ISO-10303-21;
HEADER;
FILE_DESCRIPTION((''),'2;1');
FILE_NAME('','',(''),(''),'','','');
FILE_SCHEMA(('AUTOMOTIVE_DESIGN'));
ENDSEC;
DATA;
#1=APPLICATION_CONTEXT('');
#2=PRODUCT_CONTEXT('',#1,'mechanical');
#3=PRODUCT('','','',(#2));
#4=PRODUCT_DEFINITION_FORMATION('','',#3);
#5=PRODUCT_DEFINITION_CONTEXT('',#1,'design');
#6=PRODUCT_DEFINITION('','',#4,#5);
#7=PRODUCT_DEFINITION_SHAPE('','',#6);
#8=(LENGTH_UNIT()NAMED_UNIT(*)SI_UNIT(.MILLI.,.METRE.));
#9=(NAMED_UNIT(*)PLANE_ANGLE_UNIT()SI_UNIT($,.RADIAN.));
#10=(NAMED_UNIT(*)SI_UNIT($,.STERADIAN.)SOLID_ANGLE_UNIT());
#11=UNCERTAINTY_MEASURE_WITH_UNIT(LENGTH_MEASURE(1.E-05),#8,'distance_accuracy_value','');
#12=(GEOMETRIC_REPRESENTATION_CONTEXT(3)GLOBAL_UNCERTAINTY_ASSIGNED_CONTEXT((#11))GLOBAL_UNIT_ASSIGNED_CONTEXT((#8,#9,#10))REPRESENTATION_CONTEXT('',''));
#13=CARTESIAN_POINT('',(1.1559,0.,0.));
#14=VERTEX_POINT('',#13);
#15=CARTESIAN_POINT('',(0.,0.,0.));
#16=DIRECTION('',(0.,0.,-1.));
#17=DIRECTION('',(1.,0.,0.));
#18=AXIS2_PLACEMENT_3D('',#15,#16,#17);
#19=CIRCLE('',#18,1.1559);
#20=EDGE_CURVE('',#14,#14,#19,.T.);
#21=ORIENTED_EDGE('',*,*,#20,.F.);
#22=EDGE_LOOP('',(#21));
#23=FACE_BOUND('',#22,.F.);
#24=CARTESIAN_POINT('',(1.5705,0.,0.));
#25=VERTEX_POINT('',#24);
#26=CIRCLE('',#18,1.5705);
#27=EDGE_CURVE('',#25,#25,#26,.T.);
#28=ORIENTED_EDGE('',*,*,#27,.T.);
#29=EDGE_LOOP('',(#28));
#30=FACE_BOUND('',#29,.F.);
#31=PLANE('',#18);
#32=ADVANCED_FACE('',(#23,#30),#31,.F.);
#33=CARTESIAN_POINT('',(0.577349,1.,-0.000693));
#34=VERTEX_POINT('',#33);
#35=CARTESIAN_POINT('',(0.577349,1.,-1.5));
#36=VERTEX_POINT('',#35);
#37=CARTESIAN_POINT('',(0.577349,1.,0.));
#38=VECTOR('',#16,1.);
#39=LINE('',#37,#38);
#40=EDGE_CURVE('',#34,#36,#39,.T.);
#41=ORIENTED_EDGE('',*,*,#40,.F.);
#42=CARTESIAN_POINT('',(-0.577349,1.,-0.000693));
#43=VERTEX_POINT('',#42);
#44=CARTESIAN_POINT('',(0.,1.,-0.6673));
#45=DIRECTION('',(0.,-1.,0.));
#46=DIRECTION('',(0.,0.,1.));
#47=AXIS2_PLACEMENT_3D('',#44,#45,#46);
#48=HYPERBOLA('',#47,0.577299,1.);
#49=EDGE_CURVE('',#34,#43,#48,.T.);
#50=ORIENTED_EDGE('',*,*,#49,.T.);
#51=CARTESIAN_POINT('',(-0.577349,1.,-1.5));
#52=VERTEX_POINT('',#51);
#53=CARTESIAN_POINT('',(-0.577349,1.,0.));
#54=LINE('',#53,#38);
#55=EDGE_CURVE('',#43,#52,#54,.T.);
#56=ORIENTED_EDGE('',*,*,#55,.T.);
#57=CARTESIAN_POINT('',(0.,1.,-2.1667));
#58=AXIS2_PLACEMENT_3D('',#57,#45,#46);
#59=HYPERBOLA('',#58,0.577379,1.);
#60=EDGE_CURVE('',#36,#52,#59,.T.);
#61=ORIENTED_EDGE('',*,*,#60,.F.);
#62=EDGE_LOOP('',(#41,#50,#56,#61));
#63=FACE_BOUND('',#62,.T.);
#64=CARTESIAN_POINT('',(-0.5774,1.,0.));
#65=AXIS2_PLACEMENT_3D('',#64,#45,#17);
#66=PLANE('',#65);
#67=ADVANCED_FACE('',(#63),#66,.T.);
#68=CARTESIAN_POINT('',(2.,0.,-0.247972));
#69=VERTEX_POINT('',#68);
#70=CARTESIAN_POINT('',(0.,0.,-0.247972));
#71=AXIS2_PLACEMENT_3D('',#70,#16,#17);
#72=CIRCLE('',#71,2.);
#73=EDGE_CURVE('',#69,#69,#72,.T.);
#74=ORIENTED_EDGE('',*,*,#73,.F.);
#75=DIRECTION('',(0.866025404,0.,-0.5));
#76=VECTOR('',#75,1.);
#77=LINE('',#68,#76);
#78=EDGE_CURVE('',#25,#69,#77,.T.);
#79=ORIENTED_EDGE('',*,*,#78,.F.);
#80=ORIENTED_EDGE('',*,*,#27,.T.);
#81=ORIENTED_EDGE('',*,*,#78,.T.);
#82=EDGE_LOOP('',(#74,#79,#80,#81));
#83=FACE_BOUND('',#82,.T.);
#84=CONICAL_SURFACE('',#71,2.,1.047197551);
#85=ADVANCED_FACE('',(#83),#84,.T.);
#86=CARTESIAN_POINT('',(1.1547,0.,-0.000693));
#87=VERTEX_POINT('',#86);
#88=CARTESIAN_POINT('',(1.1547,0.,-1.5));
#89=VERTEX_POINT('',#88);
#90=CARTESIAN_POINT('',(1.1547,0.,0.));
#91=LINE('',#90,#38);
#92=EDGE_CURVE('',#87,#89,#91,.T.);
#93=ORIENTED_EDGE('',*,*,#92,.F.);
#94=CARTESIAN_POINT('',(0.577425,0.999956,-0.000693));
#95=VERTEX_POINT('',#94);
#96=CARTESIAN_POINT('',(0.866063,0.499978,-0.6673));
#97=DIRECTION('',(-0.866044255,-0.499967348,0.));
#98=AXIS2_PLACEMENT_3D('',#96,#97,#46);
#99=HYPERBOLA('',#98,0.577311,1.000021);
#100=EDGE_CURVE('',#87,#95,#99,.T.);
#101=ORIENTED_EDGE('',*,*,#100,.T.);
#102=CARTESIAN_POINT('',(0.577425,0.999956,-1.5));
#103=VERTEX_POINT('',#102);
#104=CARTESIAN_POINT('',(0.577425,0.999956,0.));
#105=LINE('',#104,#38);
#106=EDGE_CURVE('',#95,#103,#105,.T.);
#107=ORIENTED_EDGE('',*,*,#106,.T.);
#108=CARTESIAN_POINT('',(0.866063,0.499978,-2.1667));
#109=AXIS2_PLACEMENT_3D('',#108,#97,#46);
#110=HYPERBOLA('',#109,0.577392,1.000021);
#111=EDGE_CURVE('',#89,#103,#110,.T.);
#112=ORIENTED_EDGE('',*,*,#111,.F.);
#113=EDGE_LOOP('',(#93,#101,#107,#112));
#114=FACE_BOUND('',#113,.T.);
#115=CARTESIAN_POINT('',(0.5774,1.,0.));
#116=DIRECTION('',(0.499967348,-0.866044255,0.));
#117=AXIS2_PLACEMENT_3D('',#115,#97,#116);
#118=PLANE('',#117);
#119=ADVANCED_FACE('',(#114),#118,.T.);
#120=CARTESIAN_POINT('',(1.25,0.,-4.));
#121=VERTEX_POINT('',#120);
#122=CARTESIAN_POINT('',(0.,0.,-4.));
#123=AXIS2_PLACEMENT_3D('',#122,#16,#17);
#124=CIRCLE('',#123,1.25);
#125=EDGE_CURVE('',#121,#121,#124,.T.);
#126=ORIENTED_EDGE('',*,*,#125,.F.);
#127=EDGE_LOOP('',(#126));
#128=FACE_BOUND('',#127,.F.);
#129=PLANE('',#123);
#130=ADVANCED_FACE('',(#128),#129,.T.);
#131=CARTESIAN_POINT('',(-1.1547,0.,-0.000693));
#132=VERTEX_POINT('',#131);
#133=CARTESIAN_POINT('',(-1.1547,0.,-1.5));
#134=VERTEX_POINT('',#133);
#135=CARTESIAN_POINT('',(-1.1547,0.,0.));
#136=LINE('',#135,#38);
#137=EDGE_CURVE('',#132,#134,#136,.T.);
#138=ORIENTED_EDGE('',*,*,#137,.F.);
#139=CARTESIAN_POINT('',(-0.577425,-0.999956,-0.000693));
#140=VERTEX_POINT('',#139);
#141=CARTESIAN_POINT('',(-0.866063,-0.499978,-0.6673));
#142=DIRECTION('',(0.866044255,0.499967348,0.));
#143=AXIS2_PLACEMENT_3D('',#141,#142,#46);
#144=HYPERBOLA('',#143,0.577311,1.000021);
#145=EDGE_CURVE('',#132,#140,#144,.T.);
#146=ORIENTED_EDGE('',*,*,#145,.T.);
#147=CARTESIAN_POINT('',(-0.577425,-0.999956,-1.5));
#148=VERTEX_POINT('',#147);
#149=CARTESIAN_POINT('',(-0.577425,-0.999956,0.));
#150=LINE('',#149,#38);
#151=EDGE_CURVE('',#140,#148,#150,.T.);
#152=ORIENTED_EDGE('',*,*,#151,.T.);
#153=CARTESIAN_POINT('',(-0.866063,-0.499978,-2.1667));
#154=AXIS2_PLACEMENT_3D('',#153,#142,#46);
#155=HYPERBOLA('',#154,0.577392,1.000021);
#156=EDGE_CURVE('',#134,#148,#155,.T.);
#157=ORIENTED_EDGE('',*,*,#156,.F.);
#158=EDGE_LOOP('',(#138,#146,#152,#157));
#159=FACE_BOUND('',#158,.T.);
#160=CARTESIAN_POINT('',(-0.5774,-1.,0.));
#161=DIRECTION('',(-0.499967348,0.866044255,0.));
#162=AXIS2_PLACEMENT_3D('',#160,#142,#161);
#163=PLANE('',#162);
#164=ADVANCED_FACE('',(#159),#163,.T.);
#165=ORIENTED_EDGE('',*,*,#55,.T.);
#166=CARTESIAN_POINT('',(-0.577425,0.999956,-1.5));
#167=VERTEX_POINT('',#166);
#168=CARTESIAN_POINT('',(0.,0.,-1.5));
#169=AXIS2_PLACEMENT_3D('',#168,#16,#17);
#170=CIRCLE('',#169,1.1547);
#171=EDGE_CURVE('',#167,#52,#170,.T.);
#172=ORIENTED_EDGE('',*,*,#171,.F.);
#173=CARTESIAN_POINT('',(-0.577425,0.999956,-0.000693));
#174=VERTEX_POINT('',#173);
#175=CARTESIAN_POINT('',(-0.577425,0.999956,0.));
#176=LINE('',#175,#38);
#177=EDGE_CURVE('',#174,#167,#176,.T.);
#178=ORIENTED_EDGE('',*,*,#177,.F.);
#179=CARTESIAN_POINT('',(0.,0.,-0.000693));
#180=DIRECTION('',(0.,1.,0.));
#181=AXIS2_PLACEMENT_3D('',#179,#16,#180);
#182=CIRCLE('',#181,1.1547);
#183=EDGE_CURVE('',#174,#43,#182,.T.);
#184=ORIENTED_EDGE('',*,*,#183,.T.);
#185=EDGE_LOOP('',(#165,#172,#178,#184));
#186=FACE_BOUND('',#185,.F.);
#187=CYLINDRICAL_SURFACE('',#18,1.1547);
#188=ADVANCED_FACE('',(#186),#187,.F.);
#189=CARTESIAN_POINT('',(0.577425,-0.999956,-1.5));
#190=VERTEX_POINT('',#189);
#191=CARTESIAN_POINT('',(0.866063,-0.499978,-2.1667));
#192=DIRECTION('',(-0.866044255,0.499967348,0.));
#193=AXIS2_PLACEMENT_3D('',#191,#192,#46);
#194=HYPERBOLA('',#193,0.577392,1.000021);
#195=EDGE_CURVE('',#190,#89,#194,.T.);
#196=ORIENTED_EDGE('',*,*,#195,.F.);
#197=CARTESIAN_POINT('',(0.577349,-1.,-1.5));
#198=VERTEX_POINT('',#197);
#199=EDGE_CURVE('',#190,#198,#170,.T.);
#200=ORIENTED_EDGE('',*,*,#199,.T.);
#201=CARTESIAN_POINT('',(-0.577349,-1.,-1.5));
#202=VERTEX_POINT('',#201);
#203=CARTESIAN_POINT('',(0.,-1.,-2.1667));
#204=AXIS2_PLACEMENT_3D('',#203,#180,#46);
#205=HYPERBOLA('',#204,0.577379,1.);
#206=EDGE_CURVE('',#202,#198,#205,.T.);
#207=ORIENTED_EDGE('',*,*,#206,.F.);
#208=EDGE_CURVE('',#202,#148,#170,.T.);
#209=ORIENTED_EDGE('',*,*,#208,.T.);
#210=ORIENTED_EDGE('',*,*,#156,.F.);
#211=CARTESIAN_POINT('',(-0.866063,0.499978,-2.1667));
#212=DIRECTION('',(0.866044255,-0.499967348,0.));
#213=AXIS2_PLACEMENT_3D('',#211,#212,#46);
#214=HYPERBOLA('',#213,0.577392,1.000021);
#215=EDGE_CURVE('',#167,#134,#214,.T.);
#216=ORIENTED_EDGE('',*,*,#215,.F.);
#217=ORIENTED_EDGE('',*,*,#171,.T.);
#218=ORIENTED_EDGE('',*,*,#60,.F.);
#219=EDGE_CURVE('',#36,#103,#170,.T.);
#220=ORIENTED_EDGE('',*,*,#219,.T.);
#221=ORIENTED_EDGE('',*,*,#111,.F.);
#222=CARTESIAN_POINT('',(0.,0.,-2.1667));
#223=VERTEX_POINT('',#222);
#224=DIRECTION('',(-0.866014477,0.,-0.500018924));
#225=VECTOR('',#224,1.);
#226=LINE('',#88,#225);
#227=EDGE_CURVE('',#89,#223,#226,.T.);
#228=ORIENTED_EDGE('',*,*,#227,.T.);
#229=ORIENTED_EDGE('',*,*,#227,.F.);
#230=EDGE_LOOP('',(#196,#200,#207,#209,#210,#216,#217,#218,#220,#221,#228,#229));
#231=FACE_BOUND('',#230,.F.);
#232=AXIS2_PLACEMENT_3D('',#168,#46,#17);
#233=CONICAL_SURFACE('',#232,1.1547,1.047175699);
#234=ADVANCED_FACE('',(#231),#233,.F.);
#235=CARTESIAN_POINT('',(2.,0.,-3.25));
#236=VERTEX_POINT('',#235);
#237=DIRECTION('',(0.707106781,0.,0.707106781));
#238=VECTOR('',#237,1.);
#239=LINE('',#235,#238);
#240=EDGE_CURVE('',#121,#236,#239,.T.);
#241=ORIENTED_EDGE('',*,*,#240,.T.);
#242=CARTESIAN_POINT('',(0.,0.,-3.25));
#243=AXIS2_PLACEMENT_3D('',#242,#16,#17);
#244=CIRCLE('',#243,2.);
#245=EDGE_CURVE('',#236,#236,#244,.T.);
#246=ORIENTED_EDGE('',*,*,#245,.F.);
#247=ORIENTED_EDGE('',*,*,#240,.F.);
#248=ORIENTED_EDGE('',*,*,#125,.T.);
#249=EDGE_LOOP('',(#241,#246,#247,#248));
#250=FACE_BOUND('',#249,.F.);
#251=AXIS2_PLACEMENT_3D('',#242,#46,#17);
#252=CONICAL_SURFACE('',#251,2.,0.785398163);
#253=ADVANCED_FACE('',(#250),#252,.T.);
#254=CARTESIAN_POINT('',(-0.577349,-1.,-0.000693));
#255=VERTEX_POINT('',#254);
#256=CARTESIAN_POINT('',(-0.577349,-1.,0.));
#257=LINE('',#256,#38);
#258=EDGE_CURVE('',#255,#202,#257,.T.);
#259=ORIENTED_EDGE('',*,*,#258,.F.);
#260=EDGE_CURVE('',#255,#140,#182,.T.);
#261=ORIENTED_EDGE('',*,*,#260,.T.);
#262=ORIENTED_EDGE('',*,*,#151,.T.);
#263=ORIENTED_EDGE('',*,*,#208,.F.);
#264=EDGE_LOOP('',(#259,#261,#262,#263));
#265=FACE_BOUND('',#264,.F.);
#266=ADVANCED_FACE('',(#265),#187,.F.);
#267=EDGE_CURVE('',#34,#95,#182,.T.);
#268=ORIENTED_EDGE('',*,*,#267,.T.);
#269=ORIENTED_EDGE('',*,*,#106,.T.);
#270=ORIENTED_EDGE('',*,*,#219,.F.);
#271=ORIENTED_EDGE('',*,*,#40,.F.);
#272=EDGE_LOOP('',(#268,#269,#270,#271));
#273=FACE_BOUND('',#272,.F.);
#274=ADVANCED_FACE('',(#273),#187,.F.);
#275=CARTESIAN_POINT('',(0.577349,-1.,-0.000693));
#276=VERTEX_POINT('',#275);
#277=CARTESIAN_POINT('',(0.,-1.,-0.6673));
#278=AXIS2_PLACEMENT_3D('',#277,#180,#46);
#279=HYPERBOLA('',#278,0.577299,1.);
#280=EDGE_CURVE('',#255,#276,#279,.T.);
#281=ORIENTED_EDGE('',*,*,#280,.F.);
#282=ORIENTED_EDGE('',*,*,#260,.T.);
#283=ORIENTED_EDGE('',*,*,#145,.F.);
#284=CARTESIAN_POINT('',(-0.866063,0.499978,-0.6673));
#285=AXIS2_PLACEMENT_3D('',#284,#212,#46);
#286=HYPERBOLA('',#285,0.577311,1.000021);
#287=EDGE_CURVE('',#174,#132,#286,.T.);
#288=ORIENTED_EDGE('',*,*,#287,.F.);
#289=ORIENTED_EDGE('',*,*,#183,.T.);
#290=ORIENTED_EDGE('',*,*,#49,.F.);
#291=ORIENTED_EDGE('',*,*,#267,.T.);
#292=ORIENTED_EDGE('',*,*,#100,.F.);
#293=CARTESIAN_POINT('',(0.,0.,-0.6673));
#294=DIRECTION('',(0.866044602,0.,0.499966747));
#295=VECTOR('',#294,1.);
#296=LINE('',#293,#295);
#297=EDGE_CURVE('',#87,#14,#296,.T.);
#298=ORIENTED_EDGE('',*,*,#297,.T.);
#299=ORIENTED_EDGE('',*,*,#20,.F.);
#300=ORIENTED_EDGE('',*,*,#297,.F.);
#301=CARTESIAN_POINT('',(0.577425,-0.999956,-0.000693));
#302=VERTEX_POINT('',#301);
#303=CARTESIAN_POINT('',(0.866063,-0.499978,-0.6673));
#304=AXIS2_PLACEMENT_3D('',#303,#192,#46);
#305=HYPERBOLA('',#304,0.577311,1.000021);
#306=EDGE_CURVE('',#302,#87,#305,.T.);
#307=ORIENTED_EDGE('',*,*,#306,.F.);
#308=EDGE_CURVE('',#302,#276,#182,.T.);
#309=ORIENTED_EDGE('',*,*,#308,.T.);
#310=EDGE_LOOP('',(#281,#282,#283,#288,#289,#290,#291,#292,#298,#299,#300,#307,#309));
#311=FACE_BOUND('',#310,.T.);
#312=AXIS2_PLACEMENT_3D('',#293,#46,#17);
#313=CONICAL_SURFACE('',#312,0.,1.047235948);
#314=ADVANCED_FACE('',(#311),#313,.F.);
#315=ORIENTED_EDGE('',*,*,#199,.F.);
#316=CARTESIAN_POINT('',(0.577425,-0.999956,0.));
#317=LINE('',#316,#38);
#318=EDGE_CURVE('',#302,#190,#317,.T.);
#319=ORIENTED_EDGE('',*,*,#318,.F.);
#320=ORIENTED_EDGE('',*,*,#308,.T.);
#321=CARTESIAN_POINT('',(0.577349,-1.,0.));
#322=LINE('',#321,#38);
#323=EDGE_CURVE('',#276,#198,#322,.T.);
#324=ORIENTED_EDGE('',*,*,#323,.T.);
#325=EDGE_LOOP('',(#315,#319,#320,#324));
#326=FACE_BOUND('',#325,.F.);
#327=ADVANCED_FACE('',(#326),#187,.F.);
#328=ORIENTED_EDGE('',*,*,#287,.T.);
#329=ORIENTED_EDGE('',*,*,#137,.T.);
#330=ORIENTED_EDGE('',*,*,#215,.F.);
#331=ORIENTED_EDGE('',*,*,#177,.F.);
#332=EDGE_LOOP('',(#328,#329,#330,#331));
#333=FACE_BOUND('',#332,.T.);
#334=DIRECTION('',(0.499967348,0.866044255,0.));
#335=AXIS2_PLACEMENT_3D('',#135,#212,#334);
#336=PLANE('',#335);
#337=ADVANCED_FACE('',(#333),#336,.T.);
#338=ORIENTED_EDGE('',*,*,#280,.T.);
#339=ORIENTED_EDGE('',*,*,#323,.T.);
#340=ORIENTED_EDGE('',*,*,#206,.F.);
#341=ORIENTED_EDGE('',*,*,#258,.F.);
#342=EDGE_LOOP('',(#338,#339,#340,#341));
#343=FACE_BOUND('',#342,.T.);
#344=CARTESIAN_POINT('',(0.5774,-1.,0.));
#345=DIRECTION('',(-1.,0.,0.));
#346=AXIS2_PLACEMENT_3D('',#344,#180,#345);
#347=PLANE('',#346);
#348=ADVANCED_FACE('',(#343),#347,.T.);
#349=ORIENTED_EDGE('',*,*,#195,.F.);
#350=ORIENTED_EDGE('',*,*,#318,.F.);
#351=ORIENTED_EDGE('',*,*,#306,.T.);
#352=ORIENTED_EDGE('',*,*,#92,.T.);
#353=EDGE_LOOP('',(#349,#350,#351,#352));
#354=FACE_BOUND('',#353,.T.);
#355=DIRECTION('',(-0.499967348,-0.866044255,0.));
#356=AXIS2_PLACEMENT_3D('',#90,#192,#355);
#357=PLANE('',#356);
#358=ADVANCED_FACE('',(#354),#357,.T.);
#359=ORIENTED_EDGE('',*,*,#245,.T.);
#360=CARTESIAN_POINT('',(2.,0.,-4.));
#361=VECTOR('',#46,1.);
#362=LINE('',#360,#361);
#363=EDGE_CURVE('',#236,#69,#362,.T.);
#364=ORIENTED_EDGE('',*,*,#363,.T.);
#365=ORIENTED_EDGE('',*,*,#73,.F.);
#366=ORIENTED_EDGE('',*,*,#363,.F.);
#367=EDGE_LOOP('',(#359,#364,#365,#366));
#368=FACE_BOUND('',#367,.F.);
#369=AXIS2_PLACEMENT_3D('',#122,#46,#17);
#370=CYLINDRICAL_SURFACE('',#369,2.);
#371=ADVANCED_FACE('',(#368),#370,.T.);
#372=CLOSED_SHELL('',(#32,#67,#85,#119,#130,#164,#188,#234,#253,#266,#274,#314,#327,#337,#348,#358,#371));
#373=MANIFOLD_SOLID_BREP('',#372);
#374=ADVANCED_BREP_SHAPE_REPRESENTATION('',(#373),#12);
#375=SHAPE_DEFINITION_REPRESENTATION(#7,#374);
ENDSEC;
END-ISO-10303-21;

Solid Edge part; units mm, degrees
sketch "Sketch1" plane through (0, 0, 0) normal (0, -1, 0) x (1, 0, 0)
  line L0 (0, -4) -> (2, -4)
  line L1 (2, -4) -> (2, 0)
  line L2 (2, 0) -> (1.1547, 0)
  line L3 (1.1547, 0) -> (1.1547, -1.5)
  line L4 (1.1547, -1.5) -> (0, -2.1667)
  dimension "D1" = 2
  dimension "D2" = 4
  dimension "D3" = 1.5
  dimension "D4" = 1
revolve "RevolvedProtrusion1" add sketch "Sketch1" angle 360 about axis through (0, 0, -7.6667) along (0, 0, -1)
sketch "Sketch2" plane through (0, 0, 0) normal (0, 0, 1) x (1, 0, 0)
  circle A0 centre (0, 0) radius 1.5705
  line L0 (-0.5774, 1) -> (0.5774, 1)
  line L1 (0.5774, 1) -> (1.1547, 0)
  line L2 (1.1547, 0) -> (0.5774, -1)
  line L3 (0.5774, -1) -> (-0.5774, -1)
  line L4 (-0.5774, -1) -> (-1.1547, 0)
  line L5 (-1.1547, 0) -> (-0.5774, 1)
  dimension "D1" = 2
  dimension "D2" = 3.141
extrude "ExtrudedProtrusion_1" add sketch "Sketch2" against normal blind 4
sketch "Sketch3" plane through (0, 0, 0) normal (0, -1, 0) x (1, 0, 0)
  line L0 (0, -0.6673) -> (1.1559, 0)
  line L1 (1.1559, 0) -> (0, 0)
  dimension "D1" = 1.001
revolve "RevolvedCutout_1" cut sketch "Sketch3" angle 360 about axis through (0, 0, 0) along (0, 0, -1)
cosmetic_thread "Thread_1" size "M4" thread depth 4
chamfer "Chamfer_1" distance 0.4295 angle 30 1 edges at (-2, 0, 0) measured on face at (-1.3733, 1.2933, 0)
chamfer "Chamfer_2" distance 0.75 angle 45 1 edges at (-2, 0, -4) measured on face at (1.3733, 1.2933, -4)
properties material "Stahl"
